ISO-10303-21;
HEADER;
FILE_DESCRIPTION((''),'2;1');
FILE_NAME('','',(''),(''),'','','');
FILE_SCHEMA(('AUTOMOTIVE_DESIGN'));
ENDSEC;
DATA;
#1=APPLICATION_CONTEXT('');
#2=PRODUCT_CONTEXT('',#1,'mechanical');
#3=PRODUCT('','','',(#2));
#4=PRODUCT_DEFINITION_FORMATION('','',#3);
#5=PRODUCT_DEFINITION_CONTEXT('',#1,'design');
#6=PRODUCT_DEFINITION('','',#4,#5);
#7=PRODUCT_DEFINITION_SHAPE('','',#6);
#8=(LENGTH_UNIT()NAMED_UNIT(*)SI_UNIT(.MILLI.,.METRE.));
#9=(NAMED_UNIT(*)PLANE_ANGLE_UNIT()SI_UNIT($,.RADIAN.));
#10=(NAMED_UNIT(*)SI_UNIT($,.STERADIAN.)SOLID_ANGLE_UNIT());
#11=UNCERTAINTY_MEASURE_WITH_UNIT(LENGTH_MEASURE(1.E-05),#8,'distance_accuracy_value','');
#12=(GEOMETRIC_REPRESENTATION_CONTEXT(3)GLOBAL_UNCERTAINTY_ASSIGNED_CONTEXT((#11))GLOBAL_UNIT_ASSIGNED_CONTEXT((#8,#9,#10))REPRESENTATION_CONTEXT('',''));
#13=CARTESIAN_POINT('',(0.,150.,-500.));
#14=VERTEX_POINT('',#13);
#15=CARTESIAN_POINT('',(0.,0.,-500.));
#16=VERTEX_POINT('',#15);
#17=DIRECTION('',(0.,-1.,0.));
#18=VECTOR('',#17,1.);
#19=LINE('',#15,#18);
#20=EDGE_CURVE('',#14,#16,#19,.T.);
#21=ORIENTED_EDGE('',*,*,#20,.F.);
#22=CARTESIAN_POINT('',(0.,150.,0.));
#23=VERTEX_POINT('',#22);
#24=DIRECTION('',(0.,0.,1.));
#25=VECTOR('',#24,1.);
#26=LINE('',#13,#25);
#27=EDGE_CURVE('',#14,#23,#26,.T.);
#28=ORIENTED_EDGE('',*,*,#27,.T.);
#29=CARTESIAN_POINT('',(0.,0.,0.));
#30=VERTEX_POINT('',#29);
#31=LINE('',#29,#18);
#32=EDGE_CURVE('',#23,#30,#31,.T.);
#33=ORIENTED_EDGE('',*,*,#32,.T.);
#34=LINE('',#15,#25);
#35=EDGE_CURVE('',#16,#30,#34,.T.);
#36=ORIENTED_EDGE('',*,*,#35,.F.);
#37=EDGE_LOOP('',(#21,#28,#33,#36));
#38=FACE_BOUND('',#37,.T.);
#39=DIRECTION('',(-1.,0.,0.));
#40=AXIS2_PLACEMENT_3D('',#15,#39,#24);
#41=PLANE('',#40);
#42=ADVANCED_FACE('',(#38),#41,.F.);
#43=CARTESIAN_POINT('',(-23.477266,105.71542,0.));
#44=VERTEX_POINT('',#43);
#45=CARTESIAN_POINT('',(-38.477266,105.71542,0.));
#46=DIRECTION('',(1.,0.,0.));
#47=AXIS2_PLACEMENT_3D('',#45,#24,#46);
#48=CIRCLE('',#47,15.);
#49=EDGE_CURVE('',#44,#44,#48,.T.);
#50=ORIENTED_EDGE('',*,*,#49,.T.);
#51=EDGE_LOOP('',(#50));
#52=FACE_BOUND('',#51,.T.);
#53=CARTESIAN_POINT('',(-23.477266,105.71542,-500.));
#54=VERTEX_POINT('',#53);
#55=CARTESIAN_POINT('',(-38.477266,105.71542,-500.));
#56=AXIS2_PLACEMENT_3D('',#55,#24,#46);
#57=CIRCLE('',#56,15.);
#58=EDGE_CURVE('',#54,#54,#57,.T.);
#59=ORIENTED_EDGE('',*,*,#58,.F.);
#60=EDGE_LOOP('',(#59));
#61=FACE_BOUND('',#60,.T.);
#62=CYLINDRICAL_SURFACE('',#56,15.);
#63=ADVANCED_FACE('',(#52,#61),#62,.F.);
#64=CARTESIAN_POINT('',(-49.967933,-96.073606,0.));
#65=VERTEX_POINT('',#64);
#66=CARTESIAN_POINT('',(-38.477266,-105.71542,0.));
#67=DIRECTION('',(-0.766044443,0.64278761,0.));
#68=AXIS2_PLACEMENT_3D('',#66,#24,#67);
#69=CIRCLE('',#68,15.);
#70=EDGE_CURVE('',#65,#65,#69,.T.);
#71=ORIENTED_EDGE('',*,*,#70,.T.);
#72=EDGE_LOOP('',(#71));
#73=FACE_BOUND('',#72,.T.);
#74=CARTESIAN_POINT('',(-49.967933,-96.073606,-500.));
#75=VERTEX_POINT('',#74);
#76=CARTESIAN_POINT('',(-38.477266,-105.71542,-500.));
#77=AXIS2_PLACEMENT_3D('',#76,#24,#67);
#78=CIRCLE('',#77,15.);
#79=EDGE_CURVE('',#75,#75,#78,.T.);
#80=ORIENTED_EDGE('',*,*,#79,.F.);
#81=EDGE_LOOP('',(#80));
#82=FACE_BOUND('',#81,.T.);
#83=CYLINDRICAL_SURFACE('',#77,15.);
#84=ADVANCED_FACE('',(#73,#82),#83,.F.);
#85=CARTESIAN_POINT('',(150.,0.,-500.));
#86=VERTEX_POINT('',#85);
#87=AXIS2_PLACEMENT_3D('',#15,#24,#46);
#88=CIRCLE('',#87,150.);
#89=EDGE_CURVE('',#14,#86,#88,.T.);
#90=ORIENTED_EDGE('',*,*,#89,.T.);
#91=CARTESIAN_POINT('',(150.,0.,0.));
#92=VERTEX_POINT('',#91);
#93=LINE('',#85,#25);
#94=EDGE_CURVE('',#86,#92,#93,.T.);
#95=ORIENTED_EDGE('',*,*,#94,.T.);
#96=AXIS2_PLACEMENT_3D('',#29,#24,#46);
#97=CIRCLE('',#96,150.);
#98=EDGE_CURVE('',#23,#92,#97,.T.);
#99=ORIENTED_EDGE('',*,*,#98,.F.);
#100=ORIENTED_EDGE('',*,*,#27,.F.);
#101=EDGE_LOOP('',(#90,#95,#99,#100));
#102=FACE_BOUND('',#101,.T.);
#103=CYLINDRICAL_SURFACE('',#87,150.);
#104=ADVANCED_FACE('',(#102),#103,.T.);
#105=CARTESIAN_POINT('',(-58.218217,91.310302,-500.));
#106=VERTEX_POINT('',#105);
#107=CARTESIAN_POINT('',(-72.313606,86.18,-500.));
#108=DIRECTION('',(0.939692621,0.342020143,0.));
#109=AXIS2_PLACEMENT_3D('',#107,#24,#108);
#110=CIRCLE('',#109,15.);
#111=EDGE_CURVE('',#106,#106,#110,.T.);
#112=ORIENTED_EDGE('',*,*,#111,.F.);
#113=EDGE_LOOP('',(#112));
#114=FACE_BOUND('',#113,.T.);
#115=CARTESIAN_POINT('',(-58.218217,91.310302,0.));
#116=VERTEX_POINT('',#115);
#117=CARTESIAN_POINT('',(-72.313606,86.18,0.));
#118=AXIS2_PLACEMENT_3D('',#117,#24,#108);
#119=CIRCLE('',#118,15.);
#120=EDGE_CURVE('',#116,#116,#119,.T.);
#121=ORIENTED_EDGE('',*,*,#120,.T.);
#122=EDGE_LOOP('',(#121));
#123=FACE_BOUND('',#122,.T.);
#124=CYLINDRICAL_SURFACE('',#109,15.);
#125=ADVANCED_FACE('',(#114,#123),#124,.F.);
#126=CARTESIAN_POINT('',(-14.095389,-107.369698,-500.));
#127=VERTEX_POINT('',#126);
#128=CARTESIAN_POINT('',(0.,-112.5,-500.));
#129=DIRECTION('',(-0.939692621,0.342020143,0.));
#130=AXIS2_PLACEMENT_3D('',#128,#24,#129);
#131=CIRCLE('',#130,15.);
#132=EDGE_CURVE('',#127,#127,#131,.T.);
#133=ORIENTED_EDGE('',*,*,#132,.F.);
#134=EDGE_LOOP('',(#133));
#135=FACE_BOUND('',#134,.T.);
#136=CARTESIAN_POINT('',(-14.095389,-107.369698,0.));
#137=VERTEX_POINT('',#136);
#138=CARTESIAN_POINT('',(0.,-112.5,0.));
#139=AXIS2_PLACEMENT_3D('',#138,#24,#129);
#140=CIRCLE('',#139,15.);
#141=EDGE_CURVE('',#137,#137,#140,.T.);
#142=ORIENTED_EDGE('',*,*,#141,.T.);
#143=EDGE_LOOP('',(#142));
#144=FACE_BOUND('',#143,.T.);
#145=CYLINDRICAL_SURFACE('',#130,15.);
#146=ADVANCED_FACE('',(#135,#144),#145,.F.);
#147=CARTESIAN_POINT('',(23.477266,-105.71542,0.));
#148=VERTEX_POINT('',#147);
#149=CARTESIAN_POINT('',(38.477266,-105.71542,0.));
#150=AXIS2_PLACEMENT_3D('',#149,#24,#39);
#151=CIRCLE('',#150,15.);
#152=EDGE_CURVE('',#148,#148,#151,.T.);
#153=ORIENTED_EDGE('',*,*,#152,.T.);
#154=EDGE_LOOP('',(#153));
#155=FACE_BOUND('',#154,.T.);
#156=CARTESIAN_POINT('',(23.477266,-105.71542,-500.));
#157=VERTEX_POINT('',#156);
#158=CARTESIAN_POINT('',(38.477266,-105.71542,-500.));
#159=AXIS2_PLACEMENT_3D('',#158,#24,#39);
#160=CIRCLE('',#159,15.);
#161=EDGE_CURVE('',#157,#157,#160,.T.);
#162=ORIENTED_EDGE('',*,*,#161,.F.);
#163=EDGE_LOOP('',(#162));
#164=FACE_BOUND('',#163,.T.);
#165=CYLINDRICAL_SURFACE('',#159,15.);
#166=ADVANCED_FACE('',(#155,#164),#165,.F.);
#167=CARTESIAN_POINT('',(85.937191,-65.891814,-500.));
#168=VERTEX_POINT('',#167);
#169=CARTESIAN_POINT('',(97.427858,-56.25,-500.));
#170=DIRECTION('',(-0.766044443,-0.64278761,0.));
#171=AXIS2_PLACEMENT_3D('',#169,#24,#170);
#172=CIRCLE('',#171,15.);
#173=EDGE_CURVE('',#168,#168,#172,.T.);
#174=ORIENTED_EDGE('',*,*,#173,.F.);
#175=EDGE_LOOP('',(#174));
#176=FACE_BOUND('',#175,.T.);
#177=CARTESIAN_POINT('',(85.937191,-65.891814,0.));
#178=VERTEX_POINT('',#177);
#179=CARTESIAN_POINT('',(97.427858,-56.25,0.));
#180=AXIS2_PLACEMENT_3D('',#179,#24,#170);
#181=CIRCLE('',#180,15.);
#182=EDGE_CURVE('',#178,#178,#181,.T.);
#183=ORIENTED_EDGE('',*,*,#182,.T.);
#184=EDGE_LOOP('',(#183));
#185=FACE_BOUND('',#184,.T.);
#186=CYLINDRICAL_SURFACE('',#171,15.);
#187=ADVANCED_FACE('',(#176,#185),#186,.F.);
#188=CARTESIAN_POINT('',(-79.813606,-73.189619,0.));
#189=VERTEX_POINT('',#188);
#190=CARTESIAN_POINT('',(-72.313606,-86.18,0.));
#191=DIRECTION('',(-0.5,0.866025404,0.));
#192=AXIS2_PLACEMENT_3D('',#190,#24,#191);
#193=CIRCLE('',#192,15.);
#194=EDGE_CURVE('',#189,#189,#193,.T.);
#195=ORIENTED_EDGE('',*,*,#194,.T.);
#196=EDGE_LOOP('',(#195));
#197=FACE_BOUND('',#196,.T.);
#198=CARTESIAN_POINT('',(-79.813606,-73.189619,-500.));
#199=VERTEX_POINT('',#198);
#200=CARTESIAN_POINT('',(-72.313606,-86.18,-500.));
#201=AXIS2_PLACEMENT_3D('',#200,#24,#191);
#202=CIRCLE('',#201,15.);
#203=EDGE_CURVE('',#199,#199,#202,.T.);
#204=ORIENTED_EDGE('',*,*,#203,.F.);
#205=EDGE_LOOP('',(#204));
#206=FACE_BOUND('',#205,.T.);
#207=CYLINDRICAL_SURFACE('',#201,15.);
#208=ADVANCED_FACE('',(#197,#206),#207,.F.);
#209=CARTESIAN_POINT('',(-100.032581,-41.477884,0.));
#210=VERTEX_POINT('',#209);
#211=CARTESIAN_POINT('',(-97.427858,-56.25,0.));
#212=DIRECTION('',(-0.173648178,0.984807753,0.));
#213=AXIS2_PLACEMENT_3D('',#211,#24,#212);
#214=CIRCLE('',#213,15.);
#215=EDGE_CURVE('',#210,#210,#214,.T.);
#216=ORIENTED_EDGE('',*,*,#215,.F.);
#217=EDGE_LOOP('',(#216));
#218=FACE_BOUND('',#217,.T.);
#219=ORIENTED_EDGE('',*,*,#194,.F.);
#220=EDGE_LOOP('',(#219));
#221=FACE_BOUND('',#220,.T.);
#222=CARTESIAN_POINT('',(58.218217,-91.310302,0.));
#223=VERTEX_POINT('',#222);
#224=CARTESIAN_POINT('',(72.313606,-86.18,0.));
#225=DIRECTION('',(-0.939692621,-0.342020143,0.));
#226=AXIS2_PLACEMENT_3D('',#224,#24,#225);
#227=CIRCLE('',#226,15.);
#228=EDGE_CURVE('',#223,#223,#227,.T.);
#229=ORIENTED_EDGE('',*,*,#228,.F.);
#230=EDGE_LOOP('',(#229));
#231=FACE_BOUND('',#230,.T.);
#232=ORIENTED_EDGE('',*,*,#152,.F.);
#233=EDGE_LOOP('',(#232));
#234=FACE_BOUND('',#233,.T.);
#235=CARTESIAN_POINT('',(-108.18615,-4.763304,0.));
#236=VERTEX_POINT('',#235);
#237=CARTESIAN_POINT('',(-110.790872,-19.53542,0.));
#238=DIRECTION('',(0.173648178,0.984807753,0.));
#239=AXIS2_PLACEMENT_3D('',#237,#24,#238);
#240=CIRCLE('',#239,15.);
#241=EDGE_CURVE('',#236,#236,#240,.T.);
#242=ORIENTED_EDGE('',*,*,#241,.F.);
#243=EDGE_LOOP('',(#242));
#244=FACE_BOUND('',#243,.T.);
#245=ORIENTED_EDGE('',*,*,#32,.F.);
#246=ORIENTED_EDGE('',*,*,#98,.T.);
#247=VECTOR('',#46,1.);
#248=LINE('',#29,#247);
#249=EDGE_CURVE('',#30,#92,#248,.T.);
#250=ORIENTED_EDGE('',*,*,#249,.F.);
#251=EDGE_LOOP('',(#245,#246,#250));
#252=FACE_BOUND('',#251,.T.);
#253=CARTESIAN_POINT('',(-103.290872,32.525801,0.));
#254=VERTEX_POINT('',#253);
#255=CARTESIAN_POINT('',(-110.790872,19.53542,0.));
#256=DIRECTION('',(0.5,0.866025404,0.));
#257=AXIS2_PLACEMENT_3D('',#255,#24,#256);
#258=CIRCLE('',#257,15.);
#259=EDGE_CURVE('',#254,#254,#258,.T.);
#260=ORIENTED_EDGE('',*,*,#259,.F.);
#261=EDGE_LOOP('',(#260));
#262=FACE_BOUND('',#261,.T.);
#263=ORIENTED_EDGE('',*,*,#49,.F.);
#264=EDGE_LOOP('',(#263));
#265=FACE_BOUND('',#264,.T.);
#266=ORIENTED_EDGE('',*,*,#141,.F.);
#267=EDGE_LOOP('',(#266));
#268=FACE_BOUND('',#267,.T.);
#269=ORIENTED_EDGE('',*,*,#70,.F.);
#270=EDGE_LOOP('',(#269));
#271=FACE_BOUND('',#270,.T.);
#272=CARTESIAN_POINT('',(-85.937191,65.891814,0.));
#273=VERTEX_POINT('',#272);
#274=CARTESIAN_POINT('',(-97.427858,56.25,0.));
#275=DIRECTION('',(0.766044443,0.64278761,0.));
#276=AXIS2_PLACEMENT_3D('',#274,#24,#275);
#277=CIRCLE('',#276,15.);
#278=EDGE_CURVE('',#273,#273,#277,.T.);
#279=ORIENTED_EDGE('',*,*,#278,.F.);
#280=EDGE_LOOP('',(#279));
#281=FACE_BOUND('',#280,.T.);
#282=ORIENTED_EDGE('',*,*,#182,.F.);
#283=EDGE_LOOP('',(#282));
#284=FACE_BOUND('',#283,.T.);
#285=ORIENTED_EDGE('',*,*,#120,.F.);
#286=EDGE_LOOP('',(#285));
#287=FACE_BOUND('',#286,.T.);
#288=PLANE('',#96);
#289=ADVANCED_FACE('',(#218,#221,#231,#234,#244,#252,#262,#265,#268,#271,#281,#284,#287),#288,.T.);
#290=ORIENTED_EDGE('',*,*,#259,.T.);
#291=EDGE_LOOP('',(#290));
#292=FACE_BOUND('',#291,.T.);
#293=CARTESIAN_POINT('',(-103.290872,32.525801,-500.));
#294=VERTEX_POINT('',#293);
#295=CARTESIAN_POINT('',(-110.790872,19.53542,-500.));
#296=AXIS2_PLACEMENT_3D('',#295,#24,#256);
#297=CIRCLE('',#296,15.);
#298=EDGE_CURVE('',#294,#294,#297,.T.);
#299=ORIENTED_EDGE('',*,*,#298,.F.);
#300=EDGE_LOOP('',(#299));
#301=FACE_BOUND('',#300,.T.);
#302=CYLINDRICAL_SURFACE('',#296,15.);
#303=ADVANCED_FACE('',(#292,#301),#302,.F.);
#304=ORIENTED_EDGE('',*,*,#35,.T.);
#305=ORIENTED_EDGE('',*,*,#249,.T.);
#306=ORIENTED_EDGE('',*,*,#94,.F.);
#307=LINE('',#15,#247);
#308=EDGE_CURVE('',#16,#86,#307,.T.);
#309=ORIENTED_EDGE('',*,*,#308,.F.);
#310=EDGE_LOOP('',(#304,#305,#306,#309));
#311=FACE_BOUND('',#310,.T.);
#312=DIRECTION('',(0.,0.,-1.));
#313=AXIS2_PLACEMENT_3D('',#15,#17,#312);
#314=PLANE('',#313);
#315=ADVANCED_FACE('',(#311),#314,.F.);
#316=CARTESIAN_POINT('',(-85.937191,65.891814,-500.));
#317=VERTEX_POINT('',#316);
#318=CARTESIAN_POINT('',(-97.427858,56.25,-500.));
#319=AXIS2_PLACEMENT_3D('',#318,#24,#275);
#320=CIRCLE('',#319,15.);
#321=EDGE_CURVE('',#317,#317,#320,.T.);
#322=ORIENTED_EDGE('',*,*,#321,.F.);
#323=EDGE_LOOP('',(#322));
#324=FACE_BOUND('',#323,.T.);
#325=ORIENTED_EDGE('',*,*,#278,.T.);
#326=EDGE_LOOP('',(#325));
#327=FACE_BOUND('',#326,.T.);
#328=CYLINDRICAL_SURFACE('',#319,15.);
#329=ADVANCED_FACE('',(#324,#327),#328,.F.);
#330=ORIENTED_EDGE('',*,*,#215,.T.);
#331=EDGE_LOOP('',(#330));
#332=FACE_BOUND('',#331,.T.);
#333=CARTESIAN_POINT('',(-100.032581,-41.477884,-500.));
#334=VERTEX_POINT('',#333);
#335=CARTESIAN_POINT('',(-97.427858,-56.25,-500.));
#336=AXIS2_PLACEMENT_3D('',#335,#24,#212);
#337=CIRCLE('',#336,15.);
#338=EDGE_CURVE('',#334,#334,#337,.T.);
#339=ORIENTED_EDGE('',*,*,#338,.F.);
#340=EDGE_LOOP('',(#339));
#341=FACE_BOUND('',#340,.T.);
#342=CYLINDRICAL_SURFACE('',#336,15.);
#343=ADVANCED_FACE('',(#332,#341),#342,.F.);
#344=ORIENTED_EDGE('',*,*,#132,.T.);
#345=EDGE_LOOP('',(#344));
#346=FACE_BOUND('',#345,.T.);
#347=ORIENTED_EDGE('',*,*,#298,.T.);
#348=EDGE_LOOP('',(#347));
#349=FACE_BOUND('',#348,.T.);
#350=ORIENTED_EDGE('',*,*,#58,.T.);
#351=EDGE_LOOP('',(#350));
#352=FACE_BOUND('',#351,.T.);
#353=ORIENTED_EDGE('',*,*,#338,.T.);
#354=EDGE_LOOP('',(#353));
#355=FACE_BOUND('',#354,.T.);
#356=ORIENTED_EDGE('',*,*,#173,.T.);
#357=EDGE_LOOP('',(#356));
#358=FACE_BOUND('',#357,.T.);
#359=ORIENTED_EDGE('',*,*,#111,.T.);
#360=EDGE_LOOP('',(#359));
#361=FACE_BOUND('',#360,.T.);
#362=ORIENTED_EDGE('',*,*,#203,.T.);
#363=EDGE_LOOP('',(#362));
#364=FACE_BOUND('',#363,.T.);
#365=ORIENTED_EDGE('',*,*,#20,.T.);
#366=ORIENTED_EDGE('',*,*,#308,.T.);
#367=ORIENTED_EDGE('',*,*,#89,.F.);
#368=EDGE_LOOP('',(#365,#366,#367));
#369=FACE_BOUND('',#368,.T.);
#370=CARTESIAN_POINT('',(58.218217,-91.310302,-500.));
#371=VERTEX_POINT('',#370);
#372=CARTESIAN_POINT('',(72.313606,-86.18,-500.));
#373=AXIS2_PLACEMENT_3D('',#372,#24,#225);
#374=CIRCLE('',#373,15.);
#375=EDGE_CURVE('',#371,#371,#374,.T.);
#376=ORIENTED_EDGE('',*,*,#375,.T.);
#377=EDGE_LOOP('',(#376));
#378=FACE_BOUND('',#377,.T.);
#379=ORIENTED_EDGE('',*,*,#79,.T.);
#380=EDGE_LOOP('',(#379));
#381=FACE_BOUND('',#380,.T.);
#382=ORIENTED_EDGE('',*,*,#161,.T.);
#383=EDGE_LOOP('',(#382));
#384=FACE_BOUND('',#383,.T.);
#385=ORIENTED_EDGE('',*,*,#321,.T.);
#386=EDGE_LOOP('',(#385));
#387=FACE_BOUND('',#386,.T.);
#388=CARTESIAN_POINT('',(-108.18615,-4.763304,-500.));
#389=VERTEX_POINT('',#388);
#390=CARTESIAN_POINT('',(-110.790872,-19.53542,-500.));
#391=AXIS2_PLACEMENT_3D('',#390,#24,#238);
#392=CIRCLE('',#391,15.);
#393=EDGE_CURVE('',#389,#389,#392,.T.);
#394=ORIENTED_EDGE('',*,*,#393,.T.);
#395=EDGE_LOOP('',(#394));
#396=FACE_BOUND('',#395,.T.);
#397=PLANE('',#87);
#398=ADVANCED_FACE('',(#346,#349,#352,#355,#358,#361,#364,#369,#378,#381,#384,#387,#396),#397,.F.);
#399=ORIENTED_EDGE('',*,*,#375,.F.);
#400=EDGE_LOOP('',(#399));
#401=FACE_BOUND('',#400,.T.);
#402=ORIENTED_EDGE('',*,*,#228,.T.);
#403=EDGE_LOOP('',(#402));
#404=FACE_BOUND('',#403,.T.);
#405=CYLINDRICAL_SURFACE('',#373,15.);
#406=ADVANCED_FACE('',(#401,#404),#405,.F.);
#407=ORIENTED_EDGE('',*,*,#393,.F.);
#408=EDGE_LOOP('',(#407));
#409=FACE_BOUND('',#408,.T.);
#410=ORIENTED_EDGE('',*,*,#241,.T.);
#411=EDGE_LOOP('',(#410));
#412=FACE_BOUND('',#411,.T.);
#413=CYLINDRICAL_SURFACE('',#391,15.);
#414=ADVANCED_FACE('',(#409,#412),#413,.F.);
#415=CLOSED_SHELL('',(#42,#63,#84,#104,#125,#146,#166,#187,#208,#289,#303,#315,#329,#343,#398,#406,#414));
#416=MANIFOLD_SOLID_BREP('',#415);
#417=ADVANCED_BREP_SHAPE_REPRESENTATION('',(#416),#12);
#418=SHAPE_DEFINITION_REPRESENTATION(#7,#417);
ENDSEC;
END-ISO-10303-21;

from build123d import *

# Parameters (mm, degrees)
SKETCH1_R           = 150
BOSS_EXTRUDE1_DEPTH = 500
SKETCH2_W           = 150
SKETCH2_H           = 150
CUT_EXTRUDE1_DEPTH  = 544.13902456
SKETCH3_R           = 15
CUT_EXTRUDE2_DEPTH  = 544.13902456
CIRPATTERN1_COUNT   = 12
CIRPATTERN1_ANGLE   = 220


with BuildPart() as part:
    # Sketch1 → Boss-Extrude1 (new body)
    with BuildSketch(Plane.XY):
        Circle(SKETCH1_R)
    extrude(amount=-BOSS_EXTRUDE1_DEPTH)

    # Sketch2 → Cut-Extrude1 (cut, through all)
    with BuildSketch(Plane.XY):
        with Locations((75, 75)):
            Rectangle(SKETCH2_W, SKETCH2_H)
    extrude(amount=-CUT_EXTRUDE1_DEPTH, mode=Mode.SUBTRACT)

    # Sketch3 → Cut-Extrude2 (cut, through all)
    with BuildSketch(Plane.XY):
        with Locations((-38.477266124, 105.715419838)):
            Circle(SKETCH3_R)
    cut_extrude2 = extrude(amount=-CUT_EXTRUDE2_DEPTH, mode=Mode.SUBTRACT)

    # CirPattern1: Cut-Extrude2 ×12 about axis
    cirpattern1_axis = Axis((0, 0, 0), (0, 0, 1))
    for i in range(1, CIRPATTERN1_COUNT):
        add(cut_extrude2.rotate(cirpattern1_axis, i * CIRPATTERN1_ANGLE / (CIRPATTERN1_COUNT - 1)), mode=Mode.SUBTRACT)


solid = part.part
